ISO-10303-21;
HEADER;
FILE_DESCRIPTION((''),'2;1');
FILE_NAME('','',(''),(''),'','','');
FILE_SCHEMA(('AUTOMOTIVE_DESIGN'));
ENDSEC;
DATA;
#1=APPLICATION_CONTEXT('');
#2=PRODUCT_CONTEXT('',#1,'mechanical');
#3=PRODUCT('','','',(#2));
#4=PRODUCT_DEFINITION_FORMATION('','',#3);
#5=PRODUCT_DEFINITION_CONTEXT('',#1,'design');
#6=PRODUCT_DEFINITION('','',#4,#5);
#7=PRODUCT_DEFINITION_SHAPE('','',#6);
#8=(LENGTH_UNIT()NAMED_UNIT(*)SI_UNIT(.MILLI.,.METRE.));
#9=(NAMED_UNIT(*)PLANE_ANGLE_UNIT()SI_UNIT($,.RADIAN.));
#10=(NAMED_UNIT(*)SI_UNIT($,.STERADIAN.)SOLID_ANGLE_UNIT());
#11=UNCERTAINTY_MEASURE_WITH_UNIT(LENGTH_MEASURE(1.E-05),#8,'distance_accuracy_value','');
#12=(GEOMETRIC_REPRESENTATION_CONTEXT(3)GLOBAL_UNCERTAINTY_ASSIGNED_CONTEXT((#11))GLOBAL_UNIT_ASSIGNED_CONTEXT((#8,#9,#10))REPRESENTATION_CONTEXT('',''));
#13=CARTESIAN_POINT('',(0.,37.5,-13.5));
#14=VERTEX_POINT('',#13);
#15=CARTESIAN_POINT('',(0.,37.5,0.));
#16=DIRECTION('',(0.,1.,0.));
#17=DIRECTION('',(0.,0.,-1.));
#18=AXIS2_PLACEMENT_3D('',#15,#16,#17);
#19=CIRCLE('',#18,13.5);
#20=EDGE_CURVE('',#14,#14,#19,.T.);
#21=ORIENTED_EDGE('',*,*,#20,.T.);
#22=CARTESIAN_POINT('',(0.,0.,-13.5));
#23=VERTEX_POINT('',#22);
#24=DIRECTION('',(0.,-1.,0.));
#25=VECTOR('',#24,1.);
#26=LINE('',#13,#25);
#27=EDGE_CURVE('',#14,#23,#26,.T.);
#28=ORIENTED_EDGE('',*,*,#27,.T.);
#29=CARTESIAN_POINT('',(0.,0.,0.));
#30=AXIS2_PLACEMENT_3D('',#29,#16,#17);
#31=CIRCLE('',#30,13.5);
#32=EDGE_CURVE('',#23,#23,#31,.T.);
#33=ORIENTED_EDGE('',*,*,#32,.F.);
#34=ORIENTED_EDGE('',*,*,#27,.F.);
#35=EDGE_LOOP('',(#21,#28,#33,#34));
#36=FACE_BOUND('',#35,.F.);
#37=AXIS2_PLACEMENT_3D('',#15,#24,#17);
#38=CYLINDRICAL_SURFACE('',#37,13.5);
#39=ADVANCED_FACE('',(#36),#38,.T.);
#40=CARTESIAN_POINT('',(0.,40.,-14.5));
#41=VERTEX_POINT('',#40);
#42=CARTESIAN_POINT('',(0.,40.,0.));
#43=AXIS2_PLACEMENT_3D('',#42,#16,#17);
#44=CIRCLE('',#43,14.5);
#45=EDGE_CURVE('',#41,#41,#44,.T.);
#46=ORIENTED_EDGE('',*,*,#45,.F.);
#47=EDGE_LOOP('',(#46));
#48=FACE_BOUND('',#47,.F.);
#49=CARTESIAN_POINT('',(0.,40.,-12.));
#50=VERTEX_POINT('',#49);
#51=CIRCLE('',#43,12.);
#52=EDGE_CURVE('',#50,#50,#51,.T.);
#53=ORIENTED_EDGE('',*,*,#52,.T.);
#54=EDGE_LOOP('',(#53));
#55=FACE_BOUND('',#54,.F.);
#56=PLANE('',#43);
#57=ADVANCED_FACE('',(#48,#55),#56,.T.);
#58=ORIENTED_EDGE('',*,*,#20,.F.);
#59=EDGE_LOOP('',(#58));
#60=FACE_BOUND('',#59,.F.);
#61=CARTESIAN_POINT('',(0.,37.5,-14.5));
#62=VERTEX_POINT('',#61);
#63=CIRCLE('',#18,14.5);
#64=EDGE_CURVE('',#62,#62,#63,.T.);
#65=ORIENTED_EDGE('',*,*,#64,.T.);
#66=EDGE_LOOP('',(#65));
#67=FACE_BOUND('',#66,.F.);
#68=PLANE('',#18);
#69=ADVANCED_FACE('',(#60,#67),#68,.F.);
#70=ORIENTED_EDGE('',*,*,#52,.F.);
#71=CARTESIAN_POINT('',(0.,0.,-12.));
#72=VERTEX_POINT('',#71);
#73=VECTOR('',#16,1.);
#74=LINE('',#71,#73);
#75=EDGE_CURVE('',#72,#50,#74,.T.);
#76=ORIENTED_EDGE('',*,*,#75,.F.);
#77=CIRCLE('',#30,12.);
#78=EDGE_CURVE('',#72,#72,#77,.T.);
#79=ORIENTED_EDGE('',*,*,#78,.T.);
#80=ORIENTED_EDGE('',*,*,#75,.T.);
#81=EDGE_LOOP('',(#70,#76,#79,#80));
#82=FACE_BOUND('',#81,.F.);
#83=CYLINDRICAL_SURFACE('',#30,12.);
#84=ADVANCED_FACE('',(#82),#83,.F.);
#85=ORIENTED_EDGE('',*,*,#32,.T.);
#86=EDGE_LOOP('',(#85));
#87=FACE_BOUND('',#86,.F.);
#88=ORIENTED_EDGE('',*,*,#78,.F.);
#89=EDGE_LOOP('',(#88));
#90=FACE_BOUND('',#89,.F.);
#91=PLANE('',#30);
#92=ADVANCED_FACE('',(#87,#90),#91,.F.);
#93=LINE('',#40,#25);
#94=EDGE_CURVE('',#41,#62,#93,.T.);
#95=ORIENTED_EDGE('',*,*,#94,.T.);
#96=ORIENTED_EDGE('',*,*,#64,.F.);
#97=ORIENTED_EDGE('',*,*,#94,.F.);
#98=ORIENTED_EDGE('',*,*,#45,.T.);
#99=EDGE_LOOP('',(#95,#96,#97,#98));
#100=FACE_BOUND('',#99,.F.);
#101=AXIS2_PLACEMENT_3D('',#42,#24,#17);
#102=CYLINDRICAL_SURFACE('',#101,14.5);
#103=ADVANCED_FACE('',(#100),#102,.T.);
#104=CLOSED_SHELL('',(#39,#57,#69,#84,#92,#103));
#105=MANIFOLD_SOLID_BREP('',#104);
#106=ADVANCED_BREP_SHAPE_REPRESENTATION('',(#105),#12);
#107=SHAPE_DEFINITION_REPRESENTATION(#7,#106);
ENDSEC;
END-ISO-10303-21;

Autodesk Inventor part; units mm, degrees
ref_plane "YZ Plane" through (0, 0, 0) normal (1, 0, 0) x (0, 1, 0)
ref_plane "XZ Plane" through (0, 0, 0) normal (0, 1, 0) x (-1, 0, 0)
ref_plane "XY Plane" through (0, 0, 0) normal (0, 0, 1) x (1, 0, 0)
sketch "Sketch1" plane through (0, 0, 0) normal (1, 0, 0) x (0, 1, 0)
  line L0 (0, 0) -> (64.5986, 0) construction
  line L1 (0, -12) -> (40, -12)
  line L2 (40, -12) -> (40, -14.5)
  line L3 (40, -14.5) -> (37.5, -14.5)
  line L4 (37.5, -14.5) -> (37.5, -13.5)
  line L5 (37.5, -13.5) -> (0, -13.5)
  line L6 (0, -13.5) -> (0, -12)
  dimension "d0" = 40
  dimension "d1" = 13.5
  dimension "d2" = 12
  dimension "d3" = 14.5
  dimension "d4" = 2.5
revolve "Revolution1" add sketch "Sketch1" angle 360 about axis through (0, 0, 0) along (0, 1, 0)
properties part number "Component 13 (Cylinder Liner)"
